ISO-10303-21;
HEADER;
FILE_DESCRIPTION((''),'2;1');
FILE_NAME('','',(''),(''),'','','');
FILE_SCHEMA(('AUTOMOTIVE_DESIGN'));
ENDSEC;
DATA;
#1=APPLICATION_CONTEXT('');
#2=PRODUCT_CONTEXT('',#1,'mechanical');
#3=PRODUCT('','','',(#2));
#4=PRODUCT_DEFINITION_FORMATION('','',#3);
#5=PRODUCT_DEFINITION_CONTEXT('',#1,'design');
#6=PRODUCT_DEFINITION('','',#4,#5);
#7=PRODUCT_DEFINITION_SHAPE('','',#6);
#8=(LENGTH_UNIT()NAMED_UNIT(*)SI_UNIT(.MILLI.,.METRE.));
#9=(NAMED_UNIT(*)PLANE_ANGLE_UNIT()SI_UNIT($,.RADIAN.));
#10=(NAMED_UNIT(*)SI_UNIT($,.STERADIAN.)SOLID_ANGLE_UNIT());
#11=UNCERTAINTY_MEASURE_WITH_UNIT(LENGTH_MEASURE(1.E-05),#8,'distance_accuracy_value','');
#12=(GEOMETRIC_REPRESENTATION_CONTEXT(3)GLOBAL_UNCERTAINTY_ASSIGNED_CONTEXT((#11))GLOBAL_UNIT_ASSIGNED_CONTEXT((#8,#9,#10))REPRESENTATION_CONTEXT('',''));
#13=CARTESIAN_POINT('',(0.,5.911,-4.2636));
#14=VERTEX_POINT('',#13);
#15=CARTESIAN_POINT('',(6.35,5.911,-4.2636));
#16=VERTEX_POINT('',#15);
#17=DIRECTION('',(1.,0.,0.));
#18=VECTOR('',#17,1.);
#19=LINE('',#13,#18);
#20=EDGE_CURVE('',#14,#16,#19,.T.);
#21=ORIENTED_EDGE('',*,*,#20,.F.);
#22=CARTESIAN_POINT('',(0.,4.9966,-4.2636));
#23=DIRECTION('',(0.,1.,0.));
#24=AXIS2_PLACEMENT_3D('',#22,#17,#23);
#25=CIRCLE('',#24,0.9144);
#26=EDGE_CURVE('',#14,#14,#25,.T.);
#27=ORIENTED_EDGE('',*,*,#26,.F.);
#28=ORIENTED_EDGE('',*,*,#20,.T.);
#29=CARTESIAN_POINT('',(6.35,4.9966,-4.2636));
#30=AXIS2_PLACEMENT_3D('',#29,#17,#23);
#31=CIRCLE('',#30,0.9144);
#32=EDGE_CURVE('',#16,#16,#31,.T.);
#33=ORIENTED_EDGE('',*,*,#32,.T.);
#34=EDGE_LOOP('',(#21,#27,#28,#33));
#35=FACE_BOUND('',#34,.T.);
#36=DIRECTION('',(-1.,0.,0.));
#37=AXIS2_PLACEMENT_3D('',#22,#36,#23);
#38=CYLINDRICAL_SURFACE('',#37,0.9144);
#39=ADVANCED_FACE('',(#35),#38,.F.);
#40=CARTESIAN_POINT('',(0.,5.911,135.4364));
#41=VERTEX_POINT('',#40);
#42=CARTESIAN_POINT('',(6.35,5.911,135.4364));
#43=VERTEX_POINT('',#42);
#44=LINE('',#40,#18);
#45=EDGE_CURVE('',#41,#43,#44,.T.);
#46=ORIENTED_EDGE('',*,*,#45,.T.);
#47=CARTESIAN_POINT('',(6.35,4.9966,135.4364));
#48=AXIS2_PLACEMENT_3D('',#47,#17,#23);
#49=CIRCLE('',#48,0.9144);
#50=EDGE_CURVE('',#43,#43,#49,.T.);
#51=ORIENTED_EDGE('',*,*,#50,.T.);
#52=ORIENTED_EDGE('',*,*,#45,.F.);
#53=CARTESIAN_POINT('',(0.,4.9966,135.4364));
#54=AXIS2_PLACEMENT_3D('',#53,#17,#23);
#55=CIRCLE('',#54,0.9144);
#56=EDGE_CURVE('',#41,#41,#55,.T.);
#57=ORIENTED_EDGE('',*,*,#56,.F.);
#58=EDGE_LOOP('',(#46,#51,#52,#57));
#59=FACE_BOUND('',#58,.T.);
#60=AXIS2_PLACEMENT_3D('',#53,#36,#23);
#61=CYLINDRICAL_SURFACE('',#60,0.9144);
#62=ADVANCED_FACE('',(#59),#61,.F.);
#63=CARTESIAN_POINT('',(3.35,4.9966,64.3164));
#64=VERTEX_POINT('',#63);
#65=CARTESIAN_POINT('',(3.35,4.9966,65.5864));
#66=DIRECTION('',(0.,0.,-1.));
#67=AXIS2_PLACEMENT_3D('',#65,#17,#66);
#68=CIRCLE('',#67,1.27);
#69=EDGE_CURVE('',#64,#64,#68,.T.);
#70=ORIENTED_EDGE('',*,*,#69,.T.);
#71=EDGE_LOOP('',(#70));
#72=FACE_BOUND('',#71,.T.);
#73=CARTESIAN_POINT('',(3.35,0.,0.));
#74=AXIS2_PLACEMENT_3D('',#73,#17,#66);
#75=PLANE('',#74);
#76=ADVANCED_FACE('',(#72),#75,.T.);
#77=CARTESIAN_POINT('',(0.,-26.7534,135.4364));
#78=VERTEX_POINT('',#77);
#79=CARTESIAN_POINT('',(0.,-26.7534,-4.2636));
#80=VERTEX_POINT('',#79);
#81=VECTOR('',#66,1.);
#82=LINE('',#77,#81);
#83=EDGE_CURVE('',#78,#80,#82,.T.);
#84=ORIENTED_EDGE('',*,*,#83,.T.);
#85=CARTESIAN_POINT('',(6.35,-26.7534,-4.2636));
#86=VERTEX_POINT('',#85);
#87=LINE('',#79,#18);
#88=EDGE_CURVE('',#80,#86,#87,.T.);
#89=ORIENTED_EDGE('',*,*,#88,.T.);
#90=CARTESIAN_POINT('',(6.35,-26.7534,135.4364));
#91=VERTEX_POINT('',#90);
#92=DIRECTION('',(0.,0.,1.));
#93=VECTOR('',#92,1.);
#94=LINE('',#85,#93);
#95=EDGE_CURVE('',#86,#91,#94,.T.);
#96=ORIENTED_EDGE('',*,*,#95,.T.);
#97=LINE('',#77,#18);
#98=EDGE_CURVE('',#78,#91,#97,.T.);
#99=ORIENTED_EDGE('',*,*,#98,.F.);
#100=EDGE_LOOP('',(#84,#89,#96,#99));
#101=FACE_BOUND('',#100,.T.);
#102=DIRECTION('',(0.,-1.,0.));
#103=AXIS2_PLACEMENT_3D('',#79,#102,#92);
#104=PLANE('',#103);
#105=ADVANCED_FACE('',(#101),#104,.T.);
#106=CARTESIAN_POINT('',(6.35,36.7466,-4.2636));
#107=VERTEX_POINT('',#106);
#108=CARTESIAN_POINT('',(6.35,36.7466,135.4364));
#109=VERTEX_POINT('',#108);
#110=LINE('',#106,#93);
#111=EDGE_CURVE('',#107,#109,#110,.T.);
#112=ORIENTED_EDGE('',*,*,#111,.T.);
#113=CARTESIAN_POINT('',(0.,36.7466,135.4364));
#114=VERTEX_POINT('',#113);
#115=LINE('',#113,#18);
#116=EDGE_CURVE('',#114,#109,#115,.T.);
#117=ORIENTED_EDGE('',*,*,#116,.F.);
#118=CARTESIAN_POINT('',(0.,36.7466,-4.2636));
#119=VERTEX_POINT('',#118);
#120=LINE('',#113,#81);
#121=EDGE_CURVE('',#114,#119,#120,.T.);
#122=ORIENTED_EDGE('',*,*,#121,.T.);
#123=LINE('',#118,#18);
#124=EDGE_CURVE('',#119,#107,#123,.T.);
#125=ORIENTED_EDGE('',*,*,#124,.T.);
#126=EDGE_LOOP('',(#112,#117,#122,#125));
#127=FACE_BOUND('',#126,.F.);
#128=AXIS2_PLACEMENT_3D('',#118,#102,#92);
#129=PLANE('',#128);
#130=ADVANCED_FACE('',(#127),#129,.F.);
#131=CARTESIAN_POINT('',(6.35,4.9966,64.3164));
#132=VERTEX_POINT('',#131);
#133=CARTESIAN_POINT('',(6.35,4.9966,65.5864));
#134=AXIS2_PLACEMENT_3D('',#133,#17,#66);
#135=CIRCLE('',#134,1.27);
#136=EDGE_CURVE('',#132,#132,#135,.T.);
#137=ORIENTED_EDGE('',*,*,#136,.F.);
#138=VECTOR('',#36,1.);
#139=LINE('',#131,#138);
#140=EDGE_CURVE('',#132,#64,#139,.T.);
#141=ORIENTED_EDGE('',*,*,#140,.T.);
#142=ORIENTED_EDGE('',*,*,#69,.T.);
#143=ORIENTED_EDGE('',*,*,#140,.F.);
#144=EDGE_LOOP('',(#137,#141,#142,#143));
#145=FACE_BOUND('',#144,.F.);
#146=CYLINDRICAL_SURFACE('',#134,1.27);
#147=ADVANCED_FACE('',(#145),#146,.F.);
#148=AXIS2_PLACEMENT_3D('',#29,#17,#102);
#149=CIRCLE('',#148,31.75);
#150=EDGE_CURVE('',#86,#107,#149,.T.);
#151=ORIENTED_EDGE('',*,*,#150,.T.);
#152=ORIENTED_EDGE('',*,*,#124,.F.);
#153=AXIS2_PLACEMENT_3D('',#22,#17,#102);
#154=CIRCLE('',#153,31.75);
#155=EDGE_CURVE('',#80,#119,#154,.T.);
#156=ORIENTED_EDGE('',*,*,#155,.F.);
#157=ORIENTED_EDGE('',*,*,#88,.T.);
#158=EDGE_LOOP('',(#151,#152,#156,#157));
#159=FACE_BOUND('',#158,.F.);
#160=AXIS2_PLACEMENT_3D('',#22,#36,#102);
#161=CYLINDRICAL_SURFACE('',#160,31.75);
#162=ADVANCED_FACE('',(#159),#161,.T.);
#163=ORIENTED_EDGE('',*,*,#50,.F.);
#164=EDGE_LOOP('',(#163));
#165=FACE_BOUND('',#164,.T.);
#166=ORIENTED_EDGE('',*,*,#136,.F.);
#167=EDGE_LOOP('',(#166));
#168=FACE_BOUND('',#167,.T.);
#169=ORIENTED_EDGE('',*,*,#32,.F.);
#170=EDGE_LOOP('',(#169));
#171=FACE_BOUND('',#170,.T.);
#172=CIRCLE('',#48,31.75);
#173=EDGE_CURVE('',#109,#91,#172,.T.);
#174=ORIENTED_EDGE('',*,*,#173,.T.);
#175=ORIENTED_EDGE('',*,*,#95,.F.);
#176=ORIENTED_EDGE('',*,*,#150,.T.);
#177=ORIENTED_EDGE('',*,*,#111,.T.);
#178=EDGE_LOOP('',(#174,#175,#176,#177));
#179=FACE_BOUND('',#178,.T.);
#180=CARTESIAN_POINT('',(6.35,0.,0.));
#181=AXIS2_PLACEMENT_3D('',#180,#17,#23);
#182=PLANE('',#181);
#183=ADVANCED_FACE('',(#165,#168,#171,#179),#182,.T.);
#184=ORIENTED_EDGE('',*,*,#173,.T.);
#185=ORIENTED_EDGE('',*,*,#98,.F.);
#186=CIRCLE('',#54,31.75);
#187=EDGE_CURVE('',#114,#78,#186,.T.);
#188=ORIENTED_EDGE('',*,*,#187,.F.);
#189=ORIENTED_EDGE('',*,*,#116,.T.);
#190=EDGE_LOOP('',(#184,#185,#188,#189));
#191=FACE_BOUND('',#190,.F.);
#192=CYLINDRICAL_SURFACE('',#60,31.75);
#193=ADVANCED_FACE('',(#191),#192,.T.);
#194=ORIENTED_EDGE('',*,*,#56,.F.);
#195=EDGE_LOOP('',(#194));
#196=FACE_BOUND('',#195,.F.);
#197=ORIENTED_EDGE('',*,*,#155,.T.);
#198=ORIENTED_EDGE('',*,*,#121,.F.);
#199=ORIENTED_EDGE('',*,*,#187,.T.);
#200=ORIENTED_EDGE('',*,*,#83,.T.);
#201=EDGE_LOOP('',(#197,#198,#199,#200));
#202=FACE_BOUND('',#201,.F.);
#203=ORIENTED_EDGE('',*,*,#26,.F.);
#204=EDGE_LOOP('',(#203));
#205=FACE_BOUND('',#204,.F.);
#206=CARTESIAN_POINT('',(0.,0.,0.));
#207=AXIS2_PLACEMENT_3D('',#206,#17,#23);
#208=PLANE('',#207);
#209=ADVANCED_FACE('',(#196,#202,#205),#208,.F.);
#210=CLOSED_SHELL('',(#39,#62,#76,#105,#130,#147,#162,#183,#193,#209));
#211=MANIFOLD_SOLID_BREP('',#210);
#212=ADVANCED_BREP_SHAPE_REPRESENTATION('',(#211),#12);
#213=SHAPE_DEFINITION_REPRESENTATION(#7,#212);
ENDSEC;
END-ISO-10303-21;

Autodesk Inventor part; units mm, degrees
ref_plane "YZ Plane" through (0, 0, 0) normal (1, 0, 0) x (0, 1, 0)
ref_plane "XZ Plane" through (0, 0, 0) normal (0, 1, 0) x (-1, 0, 0)
ref_plane "XY Plane" through (0, 0, 0) normal (0, 0, 1) x (1, 0, 0)
sketch "Sketch1" plane through (0, 0, 0) normal (1, 0, 0) x (0, 1, 0)
  arc A0 (-26.7534, -4.2636) -> (36.7466, -4.2636) centre (4.9966, -4.2636) ccw
  line L0 (36.7466, -4.2636) -> (36.7466, 65.5864)
  line L1 (-26.7534, -4.2636) -> (-26.7534, 65.5864)
  arc A1 (36.7466, 135.4364) -> (-26.7534, 135.4364) centre (4.9966, 135.4364) ccw
  line L2 (36.7466, 135.4364) -> (36.7466, 65.5864)
  line L3 (-26.7534, 135.4364) -> (-26.7534, 65.5864)
  circle A2 centre (4.9966, 135.4364) radius 0.9144
  circle A3 centre (4.9966, -4.2636) radius 0.9144
  dimension "d3" = 1.8288
  dimension "d4" = 1.8288
extrude "Extrusion1" add sketch "Sketch1" along normal blind 6.35
sketch "Sketch2" plane through (6.35, 0, 0) normal (1, 0, 0) x (0, 0, -1)
  point P0 (0, 0)
sketch "Sketch4" plane through (6.35, 0, 0) normal (1, 0, 0) x (0, 0, -1)
  circle A0 centre (-135.4364, 4.9966) radius 0.9144 projected
  circle A1 centre (4.2636, 4.9966) radius 0.9144 projected
  circle A2 centre (-65.5864, 4.9966) radius 1.27
  point P0 (0, 0)
  dimension "d14" = 2.54
extrude "Extrusion3" cut sketch "Sketch4" against normal blind 3 contours A2
properties part number "Second Arm"
